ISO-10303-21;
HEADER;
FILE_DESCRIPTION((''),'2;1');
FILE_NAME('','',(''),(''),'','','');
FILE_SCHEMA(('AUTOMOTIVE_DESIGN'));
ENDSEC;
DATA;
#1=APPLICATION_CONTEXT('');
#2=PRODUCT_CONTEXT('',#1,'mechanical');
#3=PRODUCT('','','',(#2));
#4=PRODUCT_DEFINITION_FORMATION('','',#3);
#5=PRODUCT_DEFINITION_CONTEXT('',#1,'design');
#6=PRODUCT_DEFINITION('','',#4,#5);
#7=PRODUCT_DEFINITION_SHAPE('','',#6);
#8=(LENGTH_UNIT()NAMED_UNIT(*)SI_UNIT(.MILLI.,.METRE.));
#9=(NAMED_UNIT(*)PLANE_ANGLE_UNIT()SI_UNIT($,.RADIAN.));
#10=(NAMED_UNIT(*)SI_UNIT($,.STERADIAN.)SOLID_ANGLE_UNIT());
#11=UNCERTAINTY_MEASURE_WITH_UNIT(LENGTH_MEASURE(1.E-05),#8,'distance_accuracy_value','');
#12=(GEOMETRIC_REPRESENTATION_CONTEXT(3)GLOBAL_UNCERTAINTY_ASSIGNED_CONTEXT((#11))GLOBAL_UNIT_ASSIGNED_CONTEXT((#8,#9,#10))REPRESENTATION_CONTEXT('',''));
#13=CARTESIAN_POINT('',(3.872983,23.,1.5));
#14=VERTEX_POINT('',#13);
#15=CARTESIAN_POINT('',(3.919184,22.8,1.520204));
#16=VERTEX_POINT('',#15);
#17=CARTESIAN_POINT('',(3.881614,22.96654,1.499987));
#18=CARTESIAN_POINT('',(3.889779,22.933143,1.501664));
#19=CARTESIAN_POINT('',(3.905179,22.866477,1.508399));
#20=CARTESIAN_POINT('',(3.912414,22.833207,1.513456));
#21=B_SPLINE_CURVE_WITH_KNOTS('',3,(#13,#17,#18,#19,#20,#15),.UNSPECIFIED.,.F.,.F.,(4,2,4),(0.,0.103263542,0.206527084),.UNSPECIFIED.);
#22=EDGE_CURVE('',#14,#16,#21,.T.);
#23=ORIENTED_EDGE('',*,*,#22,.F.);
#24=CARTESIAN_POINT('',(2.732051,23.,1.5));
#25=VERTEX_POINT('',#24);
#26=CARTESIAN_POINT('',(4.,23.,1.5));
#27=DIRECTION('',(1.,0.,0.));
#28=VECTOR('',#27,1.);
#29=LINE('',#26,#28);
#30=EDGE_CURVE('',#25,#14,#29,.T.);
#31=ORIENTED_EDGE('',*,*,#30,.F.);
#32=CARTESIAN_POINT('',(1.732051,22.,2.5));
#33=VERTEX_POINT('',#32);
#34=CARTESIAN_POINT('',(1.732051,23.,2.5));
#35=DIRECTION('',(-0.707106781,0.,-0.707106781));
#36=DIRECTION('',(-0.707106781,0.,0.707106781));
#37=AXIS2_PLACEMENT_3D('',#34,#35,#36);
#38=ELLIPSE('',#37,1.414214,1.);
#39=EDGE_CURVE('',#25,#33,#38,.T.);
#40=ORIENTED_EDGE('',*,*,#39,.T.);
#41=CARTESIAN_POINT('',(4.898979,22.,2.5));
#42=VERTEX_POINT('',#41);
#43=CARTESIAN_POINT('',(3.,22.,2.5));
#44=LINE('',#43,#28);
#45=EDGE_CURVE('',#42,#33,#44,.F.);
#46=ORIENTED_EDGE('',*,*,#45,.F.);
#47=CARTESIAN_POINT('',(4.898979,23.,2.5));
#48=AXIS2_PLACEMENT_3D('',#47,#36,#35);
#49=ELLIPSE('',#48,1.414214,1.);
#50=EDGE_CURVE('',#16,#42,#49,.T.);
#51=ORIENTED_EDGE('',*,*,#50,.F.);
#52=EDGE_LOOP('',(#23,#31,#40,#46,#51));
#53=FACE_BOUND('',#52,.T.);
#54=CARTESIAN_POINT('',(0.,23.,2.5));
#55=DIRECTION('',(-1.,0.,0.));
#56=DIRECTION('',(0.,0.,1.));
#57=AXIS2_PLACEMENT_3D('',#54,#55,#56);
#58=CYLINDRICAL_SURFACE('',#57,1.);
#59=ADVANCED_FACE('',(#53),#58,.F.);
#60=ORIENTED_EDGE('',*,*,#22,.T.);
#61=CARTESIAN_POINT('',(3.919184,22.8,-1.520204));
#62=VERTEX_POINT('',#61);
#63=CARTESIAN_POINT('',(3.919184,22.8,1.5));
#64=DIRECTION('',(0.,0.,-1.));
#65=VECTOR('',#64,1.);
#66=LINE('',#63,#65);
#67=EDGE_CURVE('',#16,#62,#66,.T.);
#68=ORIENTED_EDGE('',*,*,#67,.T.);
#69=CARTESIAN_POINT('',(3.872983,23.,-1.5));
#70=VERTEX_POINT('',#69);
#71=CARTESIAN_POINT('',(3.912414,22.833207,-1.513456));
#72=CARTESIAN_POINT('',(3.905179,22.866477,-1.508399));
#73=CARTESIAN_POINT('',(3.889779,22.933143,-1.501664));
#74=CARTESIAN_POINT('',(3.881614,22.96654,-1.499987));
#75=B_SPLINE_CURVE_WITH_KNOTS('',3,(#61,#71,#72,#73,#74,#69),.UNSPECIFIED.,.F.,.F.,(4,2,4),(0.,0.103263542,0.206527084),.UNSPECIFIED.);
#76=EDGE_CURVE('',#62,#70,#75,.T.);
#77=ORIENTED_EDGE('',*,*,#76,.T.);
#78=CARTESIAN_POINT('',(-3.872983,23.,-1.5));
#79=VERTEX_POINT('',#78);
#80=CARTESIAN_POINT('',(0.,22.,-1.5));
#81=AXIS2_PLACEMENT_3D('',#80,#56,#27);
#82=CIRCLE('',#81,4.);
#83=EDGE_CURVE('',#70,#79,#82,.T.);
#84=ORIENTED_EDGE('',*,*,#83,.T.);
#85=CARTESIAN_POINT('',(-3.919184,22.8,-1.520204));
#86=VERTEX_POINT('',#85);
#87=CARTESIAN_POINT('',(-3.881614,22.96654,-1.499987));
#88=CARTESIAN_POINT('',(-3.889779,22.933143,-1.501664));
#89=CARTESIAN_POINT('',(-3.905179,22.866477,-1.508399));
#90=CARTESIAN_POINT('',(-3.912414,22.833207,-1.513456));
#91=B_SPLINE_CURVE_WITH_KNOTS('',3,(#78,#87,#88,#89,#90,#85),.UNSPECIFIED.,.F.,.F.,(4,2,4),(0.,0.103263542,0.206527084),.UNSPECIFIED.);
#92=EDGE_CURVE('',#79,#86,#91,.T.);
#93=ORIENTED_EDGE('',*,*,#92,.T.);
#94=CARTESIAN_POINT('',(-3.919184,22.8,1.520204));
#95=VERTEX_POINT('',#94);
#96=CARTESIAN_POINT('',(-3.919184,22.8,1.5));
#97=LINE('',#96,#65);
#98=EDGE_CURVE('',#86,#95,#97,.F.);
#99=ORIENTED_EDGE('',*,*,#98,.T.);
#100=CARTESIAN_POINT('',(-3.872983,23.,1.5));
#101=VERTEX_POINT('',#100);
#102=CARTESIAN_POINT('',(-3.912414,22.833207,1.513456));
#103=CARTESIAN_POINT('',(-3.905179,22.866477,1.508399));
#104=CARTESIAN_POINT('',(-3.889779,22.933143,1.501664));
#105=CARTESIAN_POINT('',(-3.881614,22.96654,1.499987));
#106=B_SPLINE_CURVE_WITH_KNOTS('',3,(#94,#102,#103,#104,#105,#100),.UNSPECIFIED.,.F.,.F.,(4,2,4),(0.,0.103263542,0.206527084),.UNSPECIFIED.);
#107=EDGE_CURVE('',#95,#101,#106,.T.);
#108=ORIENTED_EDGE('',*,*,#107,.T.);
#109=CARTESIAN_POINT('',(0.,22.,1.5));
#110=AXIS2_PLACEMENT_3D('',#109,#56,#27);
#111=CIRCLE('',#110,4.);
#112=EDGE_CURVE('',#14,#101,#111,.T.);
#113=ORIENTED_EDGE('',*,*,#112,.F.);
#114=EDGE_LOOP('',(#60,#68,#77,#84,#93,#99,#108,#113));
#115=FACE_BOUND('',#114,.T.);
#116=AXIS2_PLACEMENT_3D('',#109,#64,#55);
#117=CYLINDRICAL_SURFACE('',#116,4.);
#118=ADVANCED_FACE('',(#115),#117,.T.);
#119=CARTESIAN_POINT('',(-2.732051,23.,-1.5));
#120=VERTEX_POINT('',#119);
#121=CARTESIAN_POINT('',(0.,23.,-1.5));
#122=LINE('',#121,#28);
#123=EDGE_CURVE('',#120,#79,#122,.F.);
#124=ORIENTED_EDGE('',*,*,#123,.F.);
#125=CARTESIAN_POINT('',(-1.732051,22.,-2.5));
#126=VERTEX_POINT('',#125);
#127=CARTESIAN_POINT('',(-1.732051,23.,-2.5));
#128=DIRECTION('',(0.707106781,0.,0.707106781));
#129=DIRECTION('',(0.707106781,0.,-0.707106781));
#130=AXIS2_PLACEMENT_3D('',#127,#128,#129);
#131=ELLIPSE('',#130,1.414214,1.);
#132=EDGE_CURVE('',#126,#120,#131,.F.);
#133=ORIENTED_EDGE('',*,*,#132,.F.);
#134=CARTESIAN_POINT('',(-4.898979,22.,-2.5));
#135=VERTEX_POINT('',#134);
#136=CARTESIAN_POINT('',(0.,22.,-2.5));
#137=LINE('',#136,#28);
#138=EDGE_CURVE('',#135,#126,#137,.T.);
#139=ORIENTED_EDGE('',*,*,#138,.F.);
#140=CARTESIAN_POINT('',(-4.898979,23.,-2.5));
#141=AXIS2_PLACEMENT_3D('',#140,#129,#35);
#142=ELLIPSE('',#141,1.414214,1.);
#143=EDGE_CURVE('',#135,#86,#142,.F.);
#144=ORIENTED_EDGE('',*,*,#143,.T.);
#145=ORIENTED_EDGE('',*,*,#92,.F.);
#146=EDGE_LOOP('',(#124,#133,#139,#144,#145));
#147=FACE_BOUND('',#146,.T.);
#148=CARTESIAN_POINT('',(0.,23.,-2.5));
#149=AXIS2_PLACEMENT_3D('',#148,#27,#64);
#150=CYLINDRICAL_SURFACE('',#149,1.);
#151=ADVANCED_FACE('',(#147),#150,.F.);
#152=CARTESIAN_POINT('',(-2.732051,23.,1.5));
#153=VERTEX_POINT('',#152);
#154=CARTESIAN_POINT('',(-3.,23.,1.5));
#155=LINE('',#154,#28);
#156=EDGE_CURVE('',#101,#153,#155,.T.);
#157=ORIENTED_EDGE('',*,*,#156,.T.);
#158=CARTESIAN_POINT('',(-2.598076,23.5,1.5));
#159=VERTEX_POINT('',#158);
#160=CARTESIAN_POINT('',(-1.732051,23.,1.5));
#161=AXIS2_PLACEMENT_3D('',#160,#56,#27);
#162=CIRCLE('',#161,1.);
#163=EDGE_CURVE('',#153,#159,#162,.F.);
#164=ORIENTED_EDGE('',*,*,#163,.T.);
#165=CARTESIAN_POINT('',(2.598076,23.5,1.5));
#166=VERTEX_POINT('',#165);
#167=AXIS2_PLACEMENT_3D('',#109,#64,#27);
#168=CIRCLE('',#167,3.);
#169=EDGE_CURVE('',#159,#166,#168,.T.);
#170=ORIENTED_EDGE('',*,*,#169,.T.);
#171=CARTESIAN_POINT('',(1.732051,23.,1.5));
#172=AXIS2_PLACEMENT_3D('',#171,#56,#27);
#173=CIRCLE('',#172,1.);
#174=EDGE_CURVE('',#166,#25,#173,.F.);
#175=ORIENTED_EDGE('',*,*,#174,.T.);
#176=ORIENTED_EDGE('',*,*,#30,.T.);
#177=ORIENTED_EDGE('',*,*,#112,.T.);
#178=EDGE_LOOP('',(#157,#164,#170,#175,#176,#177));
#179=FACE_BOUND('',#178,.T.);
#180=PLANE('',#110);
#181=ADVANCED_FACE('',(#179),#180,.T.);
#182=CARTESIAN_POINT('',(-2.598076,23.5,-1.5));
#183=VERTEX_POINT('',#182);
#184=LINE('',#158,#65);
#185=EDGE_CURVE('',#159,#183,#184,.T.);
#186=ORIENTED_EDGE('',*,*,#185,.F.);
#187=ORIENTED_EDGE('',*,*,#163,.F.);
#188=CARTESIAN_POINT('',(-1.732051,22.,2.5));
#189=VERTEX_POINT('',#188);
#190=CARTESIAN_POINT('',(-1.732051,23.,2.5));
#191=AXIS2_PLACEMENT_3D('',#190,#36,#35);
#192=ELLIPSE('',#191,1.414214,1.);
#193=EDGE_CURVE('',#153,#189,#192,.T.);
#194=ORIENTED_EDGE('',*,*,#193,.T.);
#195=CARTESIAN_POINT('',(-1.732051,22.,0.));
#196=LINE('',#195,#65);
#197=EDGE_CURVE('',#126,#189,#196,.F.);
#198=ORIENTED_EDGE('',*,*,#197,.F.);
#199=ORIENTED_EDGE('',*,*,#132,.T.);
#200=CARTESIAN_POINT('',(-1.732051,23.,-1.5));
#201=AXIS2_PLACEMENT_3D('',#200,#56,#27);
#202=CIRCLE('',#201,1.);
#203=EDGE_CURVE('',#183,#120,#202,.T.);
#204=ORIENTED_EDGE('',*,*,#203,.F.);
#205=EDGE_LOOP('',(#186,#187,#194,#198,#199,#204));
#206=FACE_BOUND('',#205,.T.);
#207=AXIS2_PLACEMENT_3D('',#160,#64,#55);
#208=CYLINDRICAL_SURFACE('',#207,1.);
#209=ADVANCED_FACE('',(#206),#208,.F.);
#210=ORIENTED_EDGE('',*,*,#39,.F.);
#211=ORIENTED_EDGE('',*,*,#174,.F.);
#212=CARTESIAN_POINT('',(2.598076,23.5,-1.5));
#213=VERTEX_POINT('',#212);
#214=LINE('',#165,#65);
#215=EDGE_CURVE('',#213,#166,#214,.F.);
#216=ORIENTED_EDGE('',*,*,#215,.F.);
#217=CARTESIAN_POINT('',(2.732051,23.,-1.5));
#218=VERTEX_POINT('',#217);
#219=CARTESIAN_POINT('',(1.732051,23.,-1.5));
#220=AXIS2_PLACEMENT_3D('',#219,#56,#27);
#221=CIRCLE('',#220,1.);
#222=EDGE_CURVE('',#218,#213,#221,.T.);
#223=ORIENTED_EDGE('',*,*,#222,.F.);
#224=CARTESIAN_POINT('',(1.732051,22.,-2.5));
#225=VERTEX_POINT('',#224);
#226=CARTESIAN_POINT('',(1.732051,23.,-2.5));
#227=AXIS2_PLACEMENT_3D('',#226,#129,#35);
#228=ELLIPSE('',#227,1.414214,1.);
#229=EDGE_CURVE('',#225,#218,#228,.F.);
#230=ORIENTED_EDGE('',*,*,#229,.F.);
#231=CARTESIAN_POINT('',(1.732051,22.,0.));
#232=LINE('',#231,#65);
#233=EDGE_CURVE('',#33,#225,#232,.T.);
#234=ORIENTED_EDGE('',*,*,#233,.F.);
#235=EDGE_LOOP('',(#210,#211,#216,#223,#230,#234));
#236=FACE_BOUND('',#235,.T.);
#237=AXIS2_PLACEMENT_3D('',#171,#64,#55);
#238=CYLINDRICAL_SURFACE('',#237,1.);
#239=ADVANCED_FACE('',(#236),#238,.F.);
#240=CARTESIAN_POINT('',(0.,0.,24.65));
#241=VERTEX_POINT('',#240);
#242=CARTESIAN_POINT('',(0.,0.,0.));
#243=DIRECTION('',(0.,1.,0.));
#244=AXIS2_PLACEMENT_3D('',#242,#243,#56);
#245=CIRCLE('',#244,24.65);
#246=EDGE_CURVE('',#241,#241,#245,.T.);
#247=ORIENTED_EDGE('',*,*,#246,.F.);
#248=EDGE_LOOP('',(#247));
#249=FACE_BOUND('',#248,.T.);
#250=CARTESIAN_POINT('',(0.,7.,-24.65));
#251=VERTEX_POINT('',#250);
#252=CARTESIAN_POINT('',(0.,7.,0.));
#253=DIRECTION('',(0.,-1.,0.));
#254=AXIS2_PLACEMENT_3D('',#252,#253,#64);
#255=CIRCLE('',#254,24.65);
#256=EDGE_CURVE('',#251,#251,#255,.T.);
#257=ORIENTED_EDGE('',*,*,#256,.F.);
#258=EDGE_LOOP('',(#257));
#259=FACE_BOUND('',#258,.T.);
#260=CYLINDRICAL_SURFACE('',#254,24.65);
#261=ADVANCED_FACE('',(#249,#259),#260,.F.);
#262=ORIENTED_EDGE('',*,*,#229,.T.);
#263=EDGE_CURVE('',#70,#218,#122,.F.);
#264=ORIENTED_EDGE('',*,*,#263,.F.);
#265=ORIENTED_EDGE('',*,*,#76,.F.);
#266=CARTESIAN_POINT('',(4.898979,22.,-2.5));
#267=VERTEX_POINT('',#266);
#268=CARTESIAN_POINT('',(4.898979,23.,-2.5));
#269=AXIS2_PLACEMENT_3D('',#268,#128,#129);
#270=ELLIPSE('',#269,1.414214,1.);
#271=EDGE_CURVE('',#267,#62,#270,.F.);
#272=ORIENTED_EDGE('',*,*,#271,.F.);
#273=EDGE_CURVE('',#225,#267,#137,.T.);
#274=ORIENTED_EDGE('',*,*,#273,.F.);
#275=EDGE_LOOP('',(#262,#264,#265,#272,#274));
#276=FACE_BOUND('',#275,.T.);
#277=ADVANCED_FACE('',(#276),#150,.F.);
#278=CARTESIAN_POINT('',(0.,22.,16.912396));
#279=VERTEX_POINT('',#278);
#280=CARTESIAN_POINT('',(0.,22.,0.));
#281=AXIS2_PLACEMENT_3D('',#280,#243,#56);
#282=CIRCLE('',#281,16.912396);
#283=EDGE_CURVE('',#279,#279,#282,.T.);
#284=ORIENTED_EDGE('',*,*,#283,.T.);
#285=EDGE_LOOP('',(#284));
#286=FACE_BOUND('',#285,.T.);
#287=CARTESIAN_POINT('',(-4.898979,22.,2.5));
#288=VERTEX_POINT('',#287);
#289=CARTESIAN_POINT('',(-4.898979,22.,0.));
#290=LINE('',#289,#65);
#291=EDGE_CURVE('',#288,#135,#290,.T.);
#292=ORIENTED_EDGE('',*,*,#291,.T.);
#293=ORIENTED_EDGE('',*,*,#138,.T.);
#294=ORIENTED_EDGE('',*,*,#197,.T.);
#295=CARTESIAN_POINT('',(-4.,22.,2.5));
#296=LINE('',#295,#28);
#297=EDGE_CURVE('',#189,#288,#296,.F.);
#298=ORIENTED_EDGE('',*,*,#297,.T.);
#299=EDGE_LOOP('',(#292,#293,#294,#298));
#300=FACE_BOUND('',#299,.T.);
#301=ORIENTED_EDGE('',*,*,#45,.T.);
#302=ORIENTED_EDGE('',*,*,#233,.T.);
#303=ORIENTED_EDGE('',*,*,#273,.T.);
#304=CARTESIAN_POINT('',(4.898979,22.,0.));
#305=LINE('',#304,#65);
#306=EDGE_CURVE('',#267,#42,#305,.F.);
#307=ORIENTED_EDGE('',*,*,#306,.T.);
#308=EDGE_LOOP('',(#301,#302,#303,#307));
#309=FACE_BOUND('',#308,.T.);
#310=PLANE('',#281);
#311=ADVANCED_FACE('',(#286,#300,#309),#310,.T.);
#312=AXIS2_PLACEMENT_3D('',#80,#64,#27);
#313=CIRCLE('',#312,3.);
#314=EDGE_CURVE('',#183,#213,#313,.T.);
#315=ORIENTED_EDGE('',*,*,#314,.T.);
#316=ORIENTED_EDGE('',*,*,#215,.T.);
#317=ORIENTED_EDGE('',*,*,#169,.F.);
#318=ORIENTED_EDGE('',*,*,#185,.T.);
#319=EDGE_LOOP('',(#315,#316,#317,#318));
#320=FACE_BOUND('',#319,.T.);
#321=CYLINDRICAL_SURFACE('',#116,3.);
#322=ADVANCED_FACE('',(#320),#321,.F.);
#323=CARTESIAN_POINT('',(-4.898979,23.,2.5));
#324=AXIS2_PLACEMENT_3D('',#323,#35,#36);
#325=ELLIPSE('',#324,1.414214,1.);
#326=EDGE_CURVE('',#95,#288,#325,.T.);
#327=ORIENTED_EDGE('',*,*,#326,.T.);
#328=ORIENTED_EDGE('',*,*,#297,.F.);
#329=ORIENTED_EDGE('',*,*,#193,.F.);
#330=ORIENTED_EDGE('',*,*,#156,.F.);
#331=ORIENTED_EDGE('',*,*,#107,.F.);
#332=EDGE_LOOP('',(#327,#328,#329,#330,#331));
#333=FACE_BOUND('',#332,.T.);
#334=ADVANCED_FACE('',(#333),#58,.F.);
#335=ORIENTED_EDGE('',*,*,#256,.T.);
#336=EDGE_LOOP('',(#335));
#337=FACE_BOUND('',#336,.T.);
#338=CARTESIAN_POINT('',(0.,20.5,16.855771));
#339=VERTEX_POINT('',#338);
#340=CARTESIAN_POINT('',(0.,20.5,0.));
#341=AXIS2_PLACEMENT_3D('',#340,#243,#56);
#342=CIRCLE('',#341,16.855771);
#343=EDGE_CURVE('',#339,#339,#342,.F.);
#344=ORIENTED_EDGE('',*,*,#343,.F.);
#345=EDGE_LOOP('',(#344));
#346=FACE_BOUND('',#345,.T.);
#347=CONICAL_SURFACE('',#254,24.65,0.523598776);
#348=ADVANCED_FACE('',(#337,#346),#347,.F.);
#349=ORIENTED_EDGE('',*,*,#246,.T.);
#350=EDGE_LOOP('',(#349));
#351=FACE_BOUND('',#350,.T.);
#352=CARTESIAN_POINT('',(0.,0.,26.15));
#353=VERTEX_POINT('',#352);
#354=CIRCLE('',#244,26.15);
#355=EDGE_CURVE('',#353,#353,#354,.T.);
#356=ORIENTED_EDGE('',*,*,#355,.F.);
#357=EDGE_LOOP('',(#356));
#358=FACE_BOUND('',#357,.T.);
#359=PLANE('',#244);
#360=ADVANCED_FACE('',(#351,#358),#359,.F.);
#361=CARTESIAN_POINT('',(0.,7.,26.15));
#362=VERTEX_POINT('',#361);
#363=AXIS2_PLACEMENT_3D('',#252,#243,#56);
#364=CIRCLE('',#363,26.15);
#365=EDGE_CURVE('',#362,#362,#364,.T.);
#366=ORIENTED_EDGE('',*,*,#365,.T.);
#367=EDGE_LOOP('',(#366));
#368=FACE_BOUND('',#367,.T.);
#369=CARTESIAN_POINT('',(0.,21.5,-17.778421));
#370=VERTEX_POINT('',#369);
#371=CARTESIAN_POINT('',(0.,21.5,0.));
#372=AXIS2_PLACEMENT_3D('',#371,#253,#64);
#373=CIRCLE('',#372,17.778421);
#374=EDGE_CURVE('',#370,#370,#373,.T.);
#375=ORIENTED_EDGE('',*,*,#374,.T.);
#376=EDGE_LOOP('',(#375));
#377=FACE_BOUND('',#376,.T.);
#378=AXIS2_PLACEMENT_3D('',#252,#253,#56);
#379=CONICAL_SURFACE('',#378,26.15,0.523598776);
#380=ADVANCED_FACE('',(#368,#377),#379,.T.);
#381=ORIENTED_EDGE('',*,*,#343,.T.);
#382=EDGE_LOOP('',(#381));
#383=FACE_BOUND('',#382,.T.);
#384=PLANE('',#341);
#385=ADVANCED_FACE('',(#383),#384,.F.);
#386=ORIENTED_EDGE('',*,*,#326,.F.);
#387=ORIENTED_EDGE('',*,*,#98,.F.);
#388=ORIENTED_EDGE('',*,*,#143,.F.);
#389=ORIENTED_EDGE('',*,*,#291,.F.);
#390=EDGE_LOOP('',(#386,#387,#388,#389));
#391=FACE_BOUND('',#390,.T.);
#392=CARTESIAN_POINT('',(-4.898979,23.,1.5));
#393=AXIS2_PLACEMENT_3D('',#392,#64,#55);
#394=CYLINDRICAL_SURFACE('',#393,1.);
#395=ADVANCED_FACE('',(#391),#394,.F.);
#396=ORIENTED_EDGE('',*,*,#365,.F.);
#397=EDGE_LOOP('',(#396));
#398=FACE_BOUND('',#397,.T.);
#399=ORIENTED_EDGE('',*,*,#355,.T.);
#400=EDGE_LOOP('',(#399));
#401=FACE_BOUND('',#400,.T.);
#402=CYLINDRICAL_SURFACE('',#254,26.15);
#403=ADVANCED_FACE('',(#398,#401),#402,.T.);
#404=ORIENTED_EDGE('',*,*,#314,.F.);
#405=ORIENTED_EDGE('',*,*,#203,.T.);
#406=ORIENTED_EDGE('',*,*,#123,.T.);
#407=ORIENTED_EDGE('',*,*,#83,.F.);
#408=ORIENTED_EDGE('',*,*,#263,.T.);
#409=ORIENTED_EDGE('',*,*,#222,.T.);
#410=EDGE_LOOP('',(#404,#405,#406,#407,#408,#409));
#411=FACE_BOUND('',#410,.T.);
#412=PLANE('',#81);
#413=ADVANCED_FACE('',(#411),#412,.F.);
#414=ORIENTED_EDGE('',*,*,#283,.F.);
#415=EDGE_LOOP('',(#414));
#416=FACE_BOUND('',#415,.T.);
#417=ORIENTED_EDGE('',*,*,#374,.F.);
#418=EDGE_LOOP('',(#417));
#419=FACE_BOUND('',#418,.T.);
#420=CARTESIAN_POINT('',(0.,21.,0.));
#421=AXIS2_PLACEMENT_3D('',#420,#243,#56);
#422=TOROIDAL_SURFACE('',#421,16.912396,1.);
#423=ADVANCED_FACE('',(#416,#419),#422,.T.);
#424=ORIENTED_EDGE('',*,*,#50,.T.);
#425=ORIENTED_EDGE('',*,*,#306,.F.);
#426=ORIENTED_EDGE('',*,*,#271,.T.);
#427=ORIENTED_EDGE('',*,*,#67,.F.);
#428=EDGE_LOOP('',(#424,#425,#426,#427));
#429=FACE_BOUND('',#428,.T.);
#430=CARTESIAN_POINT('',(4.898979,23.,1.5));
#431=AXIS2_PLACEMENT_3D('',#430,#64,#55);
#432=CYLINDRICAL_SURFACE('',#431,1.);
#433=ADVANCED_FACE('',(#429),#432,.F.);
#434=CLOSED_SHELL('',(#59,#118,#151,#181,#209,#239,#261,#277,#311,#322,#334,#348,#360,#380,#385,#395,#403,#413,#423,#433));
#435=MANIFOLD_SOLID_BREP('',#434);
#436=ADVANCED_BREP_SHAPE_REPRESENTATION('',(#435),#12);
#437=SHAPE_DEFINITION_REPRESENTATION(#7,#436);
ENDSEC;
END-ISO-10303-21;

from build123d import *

# Parameters (mm, degrees)
SKETCH1_R           = 26.15
SKETCH1_R_2         = 24.65
BOSS_EXTRUDE1_DEPTH = 7
SKETCH3_R           = 26.15
BOSS_EXTRUDE2_DEPTH = 15
BOSS_EXTRUDE2_TAPER = 30
SKETCH4_R           = 24.65
CUT_EXTRUDE1_DEPTH  = 13.5
CUT_EXTRUDE1_DRAFT  = -30
BOSS_EXTRUDE4_DEPTH = 1.5
FILLET2_R           = 1


with BuildPart() as part:
    # Sketch1 → Boss-Extrude1 (new body)
    with BuildSketch(Plane(origin=(0, 0, 0), x_dir=(1, 0, 0), z_dir=(0, 1, 0))):
        with Locations(Location((0, 0, 0), (0, 0, 270))):
            Circle(SKETCH1_R)
        with Locations(Location((0, 0, 0), (0, 0, 270))):
            Circle(SKETCH1_R_2, mode=Mode.SUBTRACT)
    extrude(amount=BOSS_EXTRUDE1_DEPTH)

    # Sketch3 → Boss-Extrude2 (add)
    with BuildSketch(Plane(origin=(0, 7, 0), x_dir=(1, 0, 0), z_dir=(0, 1, 0))):
        with Locations(Location((0, 0, 0), (0, 0, 270))):
            Circle(SKETCH3_R)
    extrude(amount=BOSS_EXTRUDE2_DEPTH, taper=BOSS_EXTRUDE2_TAPER)


with BuildPart() as cut_extrude1_tool:
    # Sketch4 → Cut-Extrude1 (with draft: the straight prism first)
    with BuildSketch(Plane.XZ.offset(-7)):
        with Locations(Location((0, 0, 0), (0, 0, 270))):
            Circle(SKETCH4_R)
    extrude(amount=-CUT_EXTRUDE1_DEPTH)
    # Cut-Extrude1: the draft: its side faces are tilted about the plane it starts from
    cut_extrude1_sides = [cut_extrude1_tool.faces().sort_by_distance(p)[0] for p in [
        (0, 13.75, 24.65),
    ]]
    draft(cut_extrude1_sides, Plane.XZ.offset(-7), CUT_EXTRUDE1_DRAFT)


with BuildPart() as part_1:
    add(part.part)

    # Cut-Extrude1: cut by cut_extrude1_tool
    add(cut_extrude1_tool.part, mode=Mode.SUBTRACT)

    # Sketch5 → Boss-Extrude4 (add, symmetric)
    with BuildSketch(Plane.XY):
        with BuildLine():
            Line((-4, 22), (-3, 22))
            ThreePointArc((-3, 22), (0, 25), (3, 22))
            Line((3, 22), (4, 22))
            ThreePointArc((4, 22), (0, 26), (-4, 22))
        make_face()
    extrude(amount=BOSS_EXTRUDE4_DEPTH, both=True)

    # Fillet2
    fillet2_edges = [part_1.edges().sort_by_distance(p)[0] for p in [
        (0, 22, -17.489745962),
        (4, 22, 0),
        (-3.5, 22, -1.5),
        (-4, 22, 0),
        (-3, 22, 0),
        (3.5, 22, -1.5),
        (3, 22, 0),
        (-3.5, 22, 1.5),
        (3.5, 22, 1.5),
    ]]
    fillet(fillet2_edges, radius=FILLET2_R)


solid = part_1.part
